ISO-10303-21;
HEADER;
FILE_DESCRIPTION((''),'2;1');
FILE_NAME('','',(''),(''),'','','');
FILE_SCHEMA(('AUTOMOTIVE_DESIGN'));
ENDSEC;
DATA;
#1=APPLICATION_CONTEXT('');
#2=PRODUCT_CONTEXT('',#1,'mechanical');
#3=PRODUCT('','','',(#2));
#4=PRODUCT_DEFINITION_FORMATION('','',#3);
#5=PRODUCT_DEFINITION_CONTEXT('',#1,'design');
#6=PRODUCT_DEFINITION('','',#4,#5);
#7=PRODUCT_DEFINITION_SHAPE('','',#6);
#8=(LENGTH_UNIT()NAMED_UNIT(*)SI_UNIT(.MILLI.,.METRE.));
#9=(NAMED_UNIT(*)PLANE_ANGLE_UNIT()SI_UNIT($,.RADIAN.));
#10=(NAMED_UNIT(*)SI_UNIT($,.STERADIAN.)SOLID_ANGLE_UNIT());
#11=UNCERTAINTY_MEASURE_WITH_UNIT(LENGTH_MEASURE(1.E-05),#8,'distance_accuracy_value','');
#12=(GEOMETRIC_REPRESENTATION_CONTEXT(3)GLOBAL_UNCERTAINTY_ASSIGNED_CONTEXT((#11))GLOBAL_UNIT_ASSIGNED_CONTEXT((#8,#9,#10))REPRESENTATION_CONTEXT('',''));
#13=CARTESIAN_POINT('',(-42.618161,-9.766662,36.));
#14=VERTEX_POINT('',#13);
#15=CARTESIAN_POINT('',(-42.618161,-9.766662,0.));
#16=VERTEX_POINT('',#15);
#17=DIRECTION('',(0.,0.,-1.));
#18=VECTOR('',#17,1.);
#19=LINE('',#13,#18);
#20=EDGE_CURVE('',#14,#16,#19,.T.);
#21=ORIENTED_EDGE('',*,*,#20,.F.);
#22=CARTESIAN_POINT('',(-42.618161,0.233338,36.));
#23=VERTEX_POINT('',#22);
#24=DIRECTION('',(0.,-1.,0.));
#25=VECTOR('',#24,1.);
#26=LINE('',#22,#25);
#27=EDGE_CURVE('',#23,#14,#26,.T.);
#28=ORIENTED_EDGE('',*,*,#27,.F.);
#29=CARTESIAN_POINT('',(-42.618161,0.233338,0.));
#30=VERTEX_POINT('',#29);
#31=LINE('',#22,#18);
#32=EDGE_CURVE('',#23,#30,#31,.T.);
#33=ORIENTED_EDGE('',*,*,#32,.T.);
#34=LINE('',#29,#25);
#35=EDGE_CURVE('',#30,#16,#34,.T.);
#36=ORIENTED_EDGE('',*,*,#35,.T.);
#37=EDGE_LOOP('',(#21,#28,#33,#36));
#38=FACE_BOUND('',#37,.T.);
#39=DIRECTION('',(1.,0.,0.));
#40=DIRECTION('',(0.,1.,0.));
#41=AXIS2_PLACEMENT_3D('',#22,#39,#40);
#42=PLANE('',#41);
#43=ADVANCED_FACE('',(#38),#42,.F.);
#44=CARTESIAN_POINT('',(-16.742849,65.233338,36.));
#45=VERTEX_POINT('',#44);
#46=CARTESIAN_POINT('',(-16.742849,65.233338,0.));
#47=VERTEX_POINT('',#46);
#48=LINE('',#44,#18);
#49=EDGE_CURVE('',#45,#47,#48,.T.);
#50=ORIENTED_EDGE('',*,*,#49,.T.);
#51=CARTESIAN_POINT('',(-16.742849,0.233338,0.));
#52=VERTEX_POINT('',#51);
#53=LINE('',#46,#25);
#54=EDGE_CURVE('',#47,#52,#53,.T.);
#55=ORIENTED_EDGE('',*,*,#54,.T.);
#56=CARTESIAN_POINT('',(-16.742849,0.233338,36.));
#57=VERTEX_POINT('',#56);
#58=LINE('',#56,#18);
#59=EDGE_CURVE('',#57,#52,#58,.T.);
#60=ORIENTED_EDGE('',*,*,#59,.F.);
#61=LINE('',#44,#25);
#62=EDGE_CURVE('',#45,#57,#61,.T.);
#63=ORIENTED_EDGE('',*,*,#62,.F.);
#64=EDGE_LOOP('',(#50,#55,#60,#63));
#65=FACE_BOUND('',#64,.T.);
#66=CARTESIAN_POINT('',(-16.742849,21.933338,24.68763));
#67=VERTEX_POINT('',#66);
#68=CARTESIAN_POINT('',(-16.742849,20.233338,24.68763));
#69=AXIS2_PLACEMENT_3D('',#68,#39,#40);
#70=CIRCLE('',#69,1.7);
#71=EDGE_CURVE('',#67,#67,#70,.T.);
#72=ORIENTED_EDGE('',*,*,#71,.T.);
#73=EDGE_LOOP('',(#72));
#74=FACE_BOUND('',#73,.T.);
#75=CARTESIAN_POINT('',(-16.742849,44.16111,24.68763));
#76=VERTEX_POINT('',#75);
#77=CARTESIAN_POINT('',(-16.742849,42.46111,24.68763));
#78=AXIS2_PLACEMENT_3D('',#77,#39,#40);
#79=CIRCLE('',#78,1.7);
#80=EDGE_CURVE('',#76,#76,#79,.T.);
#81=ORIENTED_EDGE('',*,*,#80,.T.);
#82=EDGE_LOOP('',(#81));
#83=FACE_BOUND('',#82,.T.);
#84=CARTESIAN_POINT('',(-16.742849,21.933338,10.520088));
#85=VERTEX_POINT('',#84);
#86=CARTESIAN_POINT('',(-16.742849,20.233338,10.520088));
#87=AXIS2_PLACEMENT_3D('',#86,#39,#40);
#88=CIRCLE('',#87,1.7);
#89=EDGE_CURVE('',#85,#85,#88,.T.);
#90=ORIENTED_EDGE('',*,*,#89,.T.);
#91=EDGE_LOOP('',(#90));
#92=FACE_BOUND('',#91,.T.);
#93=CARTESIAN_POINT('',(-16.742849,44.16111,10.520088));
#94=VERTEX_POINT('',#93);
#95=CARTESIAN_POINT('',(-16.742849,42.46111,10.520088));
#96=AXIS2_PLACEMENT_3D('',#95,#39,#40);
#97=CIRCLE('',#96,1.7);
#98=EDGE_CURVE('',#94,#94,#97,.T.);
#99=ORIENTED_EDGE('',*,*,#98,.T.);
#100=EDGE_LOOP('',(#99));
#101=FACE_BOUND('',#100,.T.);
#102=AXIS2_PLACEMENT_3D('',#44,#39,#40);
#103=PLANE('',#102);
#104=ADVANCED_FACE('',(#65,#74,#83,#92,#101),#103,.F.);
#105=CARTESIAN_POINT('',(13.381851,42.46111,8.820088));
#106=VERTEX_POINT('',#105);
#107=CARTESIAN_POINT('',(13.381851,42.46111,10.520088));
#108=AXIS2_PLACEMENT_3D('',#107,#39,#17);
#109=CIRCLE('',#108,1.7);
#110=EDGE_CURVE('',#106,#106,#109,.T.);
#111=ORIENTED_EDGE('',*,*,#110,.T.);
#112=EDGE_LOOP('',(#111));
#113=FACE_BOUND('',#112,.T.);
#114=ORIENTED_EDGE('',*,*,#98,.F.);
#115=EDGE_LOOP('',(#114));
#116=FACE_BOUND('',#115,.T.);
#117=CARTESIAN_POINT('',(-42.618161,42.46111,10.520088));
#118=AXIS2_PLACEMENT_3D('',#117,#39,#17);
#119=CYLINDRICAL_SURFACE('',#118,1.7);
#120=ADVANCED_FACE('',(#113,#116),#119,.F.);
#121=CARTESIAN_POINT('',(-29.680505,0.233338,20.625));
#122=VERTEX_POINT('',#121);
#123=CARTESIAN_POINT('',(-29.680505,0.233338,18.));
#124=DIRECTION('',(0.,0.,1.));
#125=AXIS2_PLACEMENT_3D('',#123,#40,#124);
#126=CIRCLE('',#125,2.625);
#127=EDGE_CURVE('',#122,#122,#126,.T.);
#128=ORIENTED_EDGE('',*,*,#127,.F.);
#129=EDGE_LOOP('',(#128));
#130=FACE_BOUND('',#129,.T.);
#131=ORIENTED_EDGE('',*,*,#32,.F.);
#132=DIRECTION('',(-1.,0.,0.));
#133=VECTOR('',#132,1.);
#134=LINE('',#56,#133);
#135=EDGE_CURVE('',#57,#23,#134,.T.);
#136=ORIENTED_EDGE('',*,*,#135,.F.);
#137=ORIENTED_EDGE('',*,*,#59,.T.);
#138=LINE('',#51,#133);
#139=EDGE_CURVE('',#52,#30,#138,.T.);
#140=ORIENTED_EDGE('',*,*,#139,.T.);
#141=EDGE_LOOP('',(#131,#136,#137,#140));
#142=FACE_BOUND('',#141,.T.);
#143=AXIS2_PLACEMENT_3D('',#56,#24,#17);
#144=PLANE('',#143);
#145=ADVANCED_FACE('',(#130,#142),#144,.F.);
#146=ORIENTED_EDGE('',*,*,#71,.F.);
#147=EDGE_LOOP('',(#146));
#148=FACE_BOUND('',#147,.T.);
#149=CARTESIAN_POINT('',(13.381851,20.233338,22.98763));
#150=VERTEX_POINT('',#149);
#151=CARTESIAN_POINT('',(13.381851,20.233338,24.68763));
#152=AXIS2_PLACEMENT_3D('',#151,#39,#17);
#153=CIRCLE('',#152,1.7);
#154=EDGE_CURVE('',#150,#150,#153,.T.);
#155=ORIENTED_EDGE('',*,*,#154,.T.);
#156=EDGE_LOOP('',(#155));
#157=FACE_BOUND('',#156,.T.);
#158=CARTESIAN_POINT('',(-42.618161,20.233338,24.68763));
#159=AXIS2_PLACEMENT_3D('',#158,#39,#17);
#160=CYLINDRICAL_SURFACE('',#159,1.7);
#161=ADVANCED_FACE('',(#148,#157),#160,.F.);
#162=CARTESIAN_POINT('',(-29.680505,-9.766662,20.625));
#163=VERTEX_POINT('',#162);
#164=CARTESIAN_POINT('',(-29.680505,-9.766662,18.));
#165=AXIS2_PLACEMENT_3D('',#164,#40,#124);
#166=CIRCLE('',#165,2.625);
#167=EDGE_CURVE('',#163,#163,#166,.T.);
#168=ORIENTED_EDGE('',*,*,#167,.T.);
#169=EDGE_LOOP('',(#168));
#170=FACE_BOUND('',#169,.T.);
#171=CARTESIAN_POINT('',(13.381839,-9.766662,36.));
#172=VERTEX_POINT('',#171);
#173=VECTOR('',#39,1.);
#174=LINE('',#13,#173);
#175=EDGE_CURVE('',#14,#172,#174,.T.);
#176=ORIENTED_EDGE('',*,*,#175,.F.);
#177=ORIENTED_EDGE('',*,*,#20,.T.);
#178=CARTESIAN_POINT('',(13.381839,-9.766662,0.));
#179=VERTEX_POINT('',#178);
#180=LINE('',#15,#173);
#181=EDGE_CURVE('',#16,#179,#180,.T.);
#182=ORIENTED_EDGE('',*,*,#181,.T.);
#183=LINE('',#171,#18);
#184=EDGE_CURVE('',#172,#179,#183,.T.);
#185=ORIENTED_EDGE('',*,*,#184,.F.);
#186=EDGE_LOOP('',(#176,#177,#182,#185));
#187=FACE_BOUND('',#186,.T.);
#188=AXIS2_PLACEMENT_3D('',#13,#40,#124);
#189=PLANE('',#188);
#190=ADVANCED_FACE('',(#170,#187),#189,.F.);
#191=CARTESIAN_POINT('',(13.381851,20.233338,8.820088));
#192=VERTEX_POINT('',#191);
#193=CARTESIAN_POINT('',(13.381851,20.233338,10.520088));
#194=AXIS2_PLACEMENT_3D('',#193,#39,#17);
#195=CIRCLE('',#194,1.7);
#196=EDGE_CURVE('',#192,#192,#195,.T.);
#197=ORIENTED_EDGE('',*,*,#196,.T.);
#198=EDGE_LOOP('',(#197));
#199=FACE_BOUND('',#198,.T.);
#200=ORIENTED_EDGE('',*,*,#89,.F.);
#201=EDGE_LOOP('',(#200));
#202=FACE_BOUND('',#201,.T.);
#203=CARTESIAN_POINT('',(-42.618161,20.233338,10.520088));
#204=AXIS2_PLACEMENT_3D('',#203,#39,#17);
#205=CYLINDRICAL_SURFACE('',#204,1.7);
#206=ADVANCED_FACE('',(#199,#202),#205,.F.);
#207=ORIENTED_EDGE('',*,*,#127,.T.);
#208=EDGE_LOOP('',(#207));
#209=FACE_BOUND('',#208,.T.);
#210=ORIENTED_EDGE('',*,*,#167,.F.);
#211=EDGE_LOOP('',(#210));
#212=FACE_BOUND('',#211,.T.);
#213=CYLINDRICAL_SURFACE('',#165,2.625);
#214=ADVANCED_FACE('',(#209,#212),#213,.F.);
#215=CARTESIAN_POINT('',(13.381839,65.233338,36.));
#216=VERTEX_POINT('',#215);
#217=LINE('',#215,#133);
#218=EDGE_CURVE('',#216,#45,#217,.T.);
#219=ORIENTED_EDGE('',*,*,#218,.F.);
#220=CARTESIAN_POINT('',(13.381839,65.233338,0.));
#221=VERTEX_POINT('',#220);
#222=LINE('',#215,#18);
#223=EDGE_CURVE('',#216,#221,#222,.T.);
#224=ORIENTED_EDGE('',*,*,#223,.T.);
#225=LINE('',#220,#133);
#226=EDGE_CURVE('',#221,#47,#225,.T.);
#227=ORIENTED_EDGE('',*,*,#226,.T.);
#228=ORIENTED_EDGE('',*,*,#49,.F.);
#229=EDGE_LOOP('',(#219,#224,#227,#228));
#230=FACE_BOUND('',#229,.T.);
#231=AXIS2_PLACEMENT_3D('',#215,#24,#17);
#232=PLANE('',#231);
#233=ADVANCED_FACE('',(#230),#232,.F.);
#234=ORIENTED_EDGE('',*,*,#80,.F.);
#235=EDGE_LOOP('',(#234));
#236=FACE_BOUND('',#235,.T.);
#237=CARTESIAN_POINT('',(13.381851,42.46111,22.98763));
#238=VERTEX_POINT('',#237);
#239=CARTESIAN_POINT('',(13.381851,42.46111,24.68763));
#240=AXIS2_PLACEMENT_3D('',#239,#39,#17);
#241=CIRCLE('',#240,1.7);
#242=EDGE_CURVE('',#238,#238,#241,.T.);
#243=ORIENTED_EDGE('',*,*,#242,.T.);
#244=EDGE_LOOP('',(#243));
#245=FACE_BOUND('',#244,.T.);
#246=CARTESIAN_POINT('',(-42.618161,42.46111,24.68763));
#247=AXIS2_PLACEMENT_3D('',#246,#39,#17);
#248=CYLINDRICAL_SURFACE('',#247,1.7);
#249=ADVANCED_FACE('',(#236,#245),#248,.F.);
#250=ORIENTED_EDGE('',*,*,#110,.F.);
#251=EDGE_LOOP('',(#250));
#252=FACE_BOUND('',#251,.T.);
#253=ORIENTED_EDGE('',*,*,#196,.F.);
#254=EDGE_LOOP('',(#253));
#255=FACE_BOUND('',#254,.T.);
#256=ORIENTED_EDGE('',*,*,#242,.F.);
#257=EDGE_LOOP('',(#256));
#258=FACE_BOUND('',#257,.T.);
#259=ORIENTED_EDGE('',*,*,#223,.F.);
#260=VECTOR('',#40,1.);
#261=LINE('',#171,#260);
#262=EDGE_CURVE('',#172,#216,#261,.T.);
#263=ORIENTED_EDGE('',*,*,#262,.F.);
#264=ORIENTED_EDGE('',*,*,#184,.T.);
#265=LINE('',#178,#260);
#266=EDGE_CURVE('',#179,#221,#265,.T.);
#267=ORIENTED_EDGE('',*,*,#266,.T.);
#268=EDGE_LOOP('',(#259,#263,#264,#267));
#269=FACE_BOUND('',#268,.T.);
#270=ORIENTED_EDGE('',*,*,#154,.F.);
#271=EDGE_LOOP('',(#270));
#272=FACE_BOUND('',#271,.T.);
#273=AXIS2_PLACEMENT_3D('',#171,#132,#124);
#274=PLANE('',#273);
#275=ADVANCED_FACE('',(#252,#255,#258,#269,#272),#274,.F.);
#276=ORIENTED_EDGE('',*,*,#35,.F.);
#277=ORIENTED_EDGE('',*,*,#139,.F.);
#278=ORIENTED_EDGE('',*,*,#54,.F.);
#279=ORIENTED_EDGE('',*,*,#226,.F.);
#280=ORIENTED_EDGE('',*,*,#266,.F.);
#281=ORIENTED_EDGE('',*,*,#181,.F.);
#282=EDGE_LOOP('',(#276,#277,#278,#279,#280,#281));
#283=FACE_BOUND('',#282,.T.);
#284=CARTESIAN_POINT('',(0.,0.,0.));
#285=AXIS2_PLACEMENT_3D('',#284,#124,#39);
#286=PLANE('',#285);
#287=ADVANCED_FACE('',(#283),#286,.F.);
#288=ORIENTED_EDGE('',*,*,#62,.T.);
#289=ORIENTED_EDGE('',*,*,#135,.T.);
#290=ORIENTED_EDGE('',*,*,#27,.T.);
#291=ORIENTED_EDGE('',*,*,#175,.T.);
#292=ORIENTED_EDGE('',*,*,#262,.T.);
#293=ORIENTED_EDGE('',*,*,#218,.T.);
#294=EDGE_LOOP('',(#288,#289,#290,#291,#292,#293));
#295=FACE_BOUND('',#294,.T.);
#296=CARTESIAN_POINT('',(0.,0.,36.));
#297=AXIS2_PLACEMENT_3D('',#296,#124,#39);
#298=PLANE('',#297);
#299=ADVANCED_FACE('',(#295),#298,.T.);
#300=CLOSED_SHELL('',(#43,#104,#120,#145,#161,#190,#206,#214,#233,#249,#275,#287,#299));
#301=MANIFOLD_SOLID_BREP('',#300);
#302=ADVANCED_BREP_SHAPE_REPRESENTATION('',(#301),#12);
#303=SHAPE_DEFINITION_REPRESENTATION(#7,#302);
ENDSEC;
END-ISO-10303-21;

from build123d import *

# Parameters (mm, degrees)
BOSS_EXTRUDE1_DEPTH     = 36
SKETCH2_R               = 2.625
CUT_EXTRUDE1_DEPTH      = 86.658085492
CUT_EXTRUDE2_DEPTH      = 94.206160811
CUT_EXTRUDE2_DEPTH_BACK = 94.206160811
SKETCH3_R               = 1.7


with BuildPart() as part:
    # Sketch1 → Boss-Extrude1 (new body)
    with BuildSketch(Plane.XY):
        Polygon((-42.618160568, 0.233338203), (-42.618160568, -9.766661797), (13.381839432, -9.766661797), (13.381839432, 65.233338203), (-16.742848795, 65.233338203), (-16.742848795, 0.233338203), align=None)
    extrude(amount=BOSS_EXTRUDE1_DEPTH)

    # Sketch2 → Cut-Extrude1 (cut, through all)
    with BuildSketch(Plane(origin=(0, 0.233338203, 0), x_dir=(1, 0, 0), z_dir=(0, 1, 0))):
        with Locations(Location((-29.680504682, -18, 0), (0, 0, 270))):
            Circle(SKETCH2_R)
    extrude(amount=-CUT_EXTRUDE1_DEPTH, mode=Mode.SUBTRACT)

    # Sketch3 → Cut-Extrude2 (cut, two sides: drawn at the far end of the back side and taken through both)
    with BuildSketch(Plane(origin=(13.381839432, 0, 0), x_dir=(0, 0, -1), z_dir=(1, 0, 0)).offset(-CUT_EXTRUDE2_DEPTH_BACK)):
        with Locations((-24.687630005, 20.233338203)):
            Circle(SKETCH3_R)
        with Locations((-10.520088066, 20.233338203)):
            Circle(SKETCH3_R)
        with Locations((-24.687630005, 42.461110081)):
            Circle(SKETCH3_R)
        with Locations((-10.520088066, 42.461110081)):
            Circle(SKETCH3_R)
    extrude(amount=CUT_EXTRUDE2_DEPTH + CUT_EXTRUDE2_DEPTH_BACK, mode=Mode.SUBTRACT)


solid = part.part
